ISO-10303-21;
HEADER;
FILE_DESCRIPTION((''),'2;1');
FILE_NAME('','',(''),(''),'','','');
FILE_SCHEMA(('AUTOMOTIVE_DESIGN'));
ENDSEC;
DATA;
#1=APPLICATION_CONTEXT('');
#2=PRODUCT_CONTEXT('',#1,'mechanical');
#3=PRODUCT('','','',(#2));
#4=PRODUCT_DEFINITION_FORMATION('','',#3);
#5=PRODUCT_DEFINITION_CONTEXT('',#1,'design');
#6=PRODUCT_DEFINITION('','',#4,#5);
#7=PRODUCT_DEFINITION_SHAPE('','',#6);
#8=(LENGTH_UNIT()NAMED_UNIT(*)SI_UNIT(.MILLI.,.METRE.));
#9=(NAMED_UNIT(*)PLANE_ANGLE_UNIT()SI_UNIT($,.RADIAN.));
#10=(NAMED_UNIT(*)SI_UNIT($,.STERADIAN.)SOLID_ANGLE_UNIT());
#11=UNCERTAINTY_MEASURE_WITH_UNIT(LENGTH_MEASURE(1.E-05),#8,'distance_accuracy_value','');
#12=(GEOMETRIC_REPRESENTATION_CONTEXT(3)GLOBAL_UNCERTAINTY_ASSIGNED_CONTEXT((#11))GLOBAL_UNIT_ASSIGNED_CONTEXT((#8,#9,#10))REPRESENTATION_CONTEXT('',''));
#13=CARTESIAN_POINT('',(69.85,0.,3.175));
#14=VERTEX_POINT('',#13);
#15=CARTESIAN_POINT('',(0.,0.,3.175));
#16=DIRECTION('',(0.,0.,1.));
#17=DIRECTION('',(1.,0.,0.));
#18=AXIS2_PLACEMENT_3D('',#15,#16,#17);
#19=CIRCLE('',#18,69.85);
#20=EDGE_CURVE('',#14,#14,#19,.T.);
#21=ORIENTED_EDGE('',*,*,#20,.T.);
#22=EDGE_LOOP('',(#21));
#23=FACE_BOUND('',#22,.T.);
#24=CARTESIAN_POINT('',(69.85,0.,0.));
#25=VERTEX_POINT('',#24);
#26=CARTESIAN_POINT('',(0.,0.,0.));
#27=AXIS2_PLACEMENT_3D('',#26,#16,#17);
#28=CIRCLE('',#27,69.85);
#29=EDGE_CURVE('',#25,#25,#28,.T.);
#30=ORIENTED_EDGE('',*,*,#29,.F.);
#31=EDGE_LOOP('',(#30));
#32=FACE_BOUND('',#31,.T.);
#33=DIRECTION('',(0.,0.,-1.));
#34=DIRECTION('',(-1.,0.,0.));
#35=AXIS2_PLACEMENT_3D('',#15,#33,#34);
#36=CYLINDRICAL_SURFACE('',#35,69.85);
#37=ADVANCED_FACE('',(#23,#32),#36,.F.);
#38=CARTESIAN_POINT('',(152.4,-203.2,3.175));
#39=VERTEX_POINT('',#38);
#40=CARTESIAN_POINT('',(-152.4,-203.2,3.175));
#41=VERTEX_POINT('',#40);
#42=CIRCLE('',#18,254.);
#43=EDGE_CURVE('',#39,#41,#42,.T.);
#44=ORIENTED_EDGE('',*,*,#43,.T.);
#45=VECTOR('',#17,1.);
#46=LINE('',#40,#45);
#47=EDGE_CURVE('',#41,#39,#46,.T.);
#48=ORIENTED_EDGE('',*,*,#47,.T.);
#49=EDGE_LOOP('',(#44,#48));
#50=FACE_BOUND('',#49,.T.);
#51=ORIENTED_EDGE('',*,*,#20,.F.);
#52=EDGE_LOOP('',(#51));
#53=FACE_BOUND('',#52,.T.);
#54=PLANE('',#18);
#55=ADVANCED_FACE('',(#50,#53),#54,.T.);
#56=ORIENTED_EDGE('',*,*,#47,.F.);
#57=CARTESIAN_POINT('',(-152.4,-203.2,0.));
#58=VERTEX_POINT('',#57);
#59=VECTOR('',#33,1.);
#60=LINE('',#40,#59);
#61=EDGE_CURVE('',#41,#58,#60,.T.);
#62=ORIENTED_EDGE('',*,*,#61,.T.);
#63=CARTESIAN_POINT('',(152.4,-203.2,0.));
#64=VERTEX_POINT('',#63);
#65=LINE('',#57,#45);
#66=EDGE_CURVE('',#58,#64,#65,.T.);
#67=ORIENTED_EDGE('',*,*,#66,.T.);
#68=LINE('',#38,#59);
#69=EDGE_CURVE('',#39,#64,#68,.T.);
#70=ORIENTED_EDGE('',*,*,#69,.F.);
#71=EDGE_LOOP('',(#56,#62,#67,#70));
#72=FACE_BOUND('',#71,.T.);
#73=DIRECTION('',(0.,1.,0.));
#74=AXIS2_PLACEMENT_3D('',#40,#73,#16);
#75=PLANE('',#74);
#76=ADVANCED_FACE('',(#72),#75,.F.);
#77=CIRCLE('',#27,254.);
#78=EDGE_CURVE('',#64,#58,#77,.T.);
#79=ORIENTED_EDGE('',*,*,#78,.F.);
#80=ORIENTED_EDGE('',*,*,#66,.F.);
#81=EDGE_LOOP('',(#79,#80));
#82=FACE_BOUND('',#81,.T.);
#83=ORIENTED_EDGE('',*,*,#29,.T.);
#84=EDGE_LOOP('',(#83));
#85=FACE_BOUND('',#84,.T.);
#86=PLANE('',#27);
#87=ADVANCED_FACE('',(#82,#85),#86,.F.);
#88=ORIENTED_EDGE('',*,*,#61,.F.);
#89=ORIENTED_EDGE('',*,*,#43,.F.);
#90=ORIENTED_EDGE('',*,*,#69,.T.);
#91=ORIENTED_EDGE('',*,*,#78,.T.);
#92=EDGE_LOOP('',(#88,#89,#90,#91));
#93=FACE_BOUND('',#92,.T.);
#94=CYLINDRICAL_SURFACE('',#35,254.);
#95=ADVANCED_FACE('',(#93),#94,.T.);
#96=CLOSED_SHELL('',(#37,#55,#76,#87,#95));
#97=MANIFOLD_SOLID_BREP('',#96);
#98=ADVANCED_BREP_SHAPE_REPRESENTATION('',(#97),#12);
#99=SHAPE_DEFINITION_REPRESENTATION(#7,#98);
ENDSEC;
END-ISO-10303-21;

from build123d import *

# Parameters (mm, degrees)
SKETCH2_R           = 69.85
BOSS_EXTRUDE1_DEPTH = 3.175


with BuildPart() as part:
    # Sketch2 → Boss-Extrude1 (new body)
    with BuildSketch(Plane.XY):
        with BuildLine():
            Line((-152.4, -203.2), (152.4, -203.2))
            ThreePointArc((152.4, -203.2), (0, 254), (-152.4, -203.2))
        make_face()
        Circle(SKETCH2_R, mode=Mode.SUBTRACT)
    extrude(amount=BOSS_EXTRUDE1_DEPTH)


solid = part.part
